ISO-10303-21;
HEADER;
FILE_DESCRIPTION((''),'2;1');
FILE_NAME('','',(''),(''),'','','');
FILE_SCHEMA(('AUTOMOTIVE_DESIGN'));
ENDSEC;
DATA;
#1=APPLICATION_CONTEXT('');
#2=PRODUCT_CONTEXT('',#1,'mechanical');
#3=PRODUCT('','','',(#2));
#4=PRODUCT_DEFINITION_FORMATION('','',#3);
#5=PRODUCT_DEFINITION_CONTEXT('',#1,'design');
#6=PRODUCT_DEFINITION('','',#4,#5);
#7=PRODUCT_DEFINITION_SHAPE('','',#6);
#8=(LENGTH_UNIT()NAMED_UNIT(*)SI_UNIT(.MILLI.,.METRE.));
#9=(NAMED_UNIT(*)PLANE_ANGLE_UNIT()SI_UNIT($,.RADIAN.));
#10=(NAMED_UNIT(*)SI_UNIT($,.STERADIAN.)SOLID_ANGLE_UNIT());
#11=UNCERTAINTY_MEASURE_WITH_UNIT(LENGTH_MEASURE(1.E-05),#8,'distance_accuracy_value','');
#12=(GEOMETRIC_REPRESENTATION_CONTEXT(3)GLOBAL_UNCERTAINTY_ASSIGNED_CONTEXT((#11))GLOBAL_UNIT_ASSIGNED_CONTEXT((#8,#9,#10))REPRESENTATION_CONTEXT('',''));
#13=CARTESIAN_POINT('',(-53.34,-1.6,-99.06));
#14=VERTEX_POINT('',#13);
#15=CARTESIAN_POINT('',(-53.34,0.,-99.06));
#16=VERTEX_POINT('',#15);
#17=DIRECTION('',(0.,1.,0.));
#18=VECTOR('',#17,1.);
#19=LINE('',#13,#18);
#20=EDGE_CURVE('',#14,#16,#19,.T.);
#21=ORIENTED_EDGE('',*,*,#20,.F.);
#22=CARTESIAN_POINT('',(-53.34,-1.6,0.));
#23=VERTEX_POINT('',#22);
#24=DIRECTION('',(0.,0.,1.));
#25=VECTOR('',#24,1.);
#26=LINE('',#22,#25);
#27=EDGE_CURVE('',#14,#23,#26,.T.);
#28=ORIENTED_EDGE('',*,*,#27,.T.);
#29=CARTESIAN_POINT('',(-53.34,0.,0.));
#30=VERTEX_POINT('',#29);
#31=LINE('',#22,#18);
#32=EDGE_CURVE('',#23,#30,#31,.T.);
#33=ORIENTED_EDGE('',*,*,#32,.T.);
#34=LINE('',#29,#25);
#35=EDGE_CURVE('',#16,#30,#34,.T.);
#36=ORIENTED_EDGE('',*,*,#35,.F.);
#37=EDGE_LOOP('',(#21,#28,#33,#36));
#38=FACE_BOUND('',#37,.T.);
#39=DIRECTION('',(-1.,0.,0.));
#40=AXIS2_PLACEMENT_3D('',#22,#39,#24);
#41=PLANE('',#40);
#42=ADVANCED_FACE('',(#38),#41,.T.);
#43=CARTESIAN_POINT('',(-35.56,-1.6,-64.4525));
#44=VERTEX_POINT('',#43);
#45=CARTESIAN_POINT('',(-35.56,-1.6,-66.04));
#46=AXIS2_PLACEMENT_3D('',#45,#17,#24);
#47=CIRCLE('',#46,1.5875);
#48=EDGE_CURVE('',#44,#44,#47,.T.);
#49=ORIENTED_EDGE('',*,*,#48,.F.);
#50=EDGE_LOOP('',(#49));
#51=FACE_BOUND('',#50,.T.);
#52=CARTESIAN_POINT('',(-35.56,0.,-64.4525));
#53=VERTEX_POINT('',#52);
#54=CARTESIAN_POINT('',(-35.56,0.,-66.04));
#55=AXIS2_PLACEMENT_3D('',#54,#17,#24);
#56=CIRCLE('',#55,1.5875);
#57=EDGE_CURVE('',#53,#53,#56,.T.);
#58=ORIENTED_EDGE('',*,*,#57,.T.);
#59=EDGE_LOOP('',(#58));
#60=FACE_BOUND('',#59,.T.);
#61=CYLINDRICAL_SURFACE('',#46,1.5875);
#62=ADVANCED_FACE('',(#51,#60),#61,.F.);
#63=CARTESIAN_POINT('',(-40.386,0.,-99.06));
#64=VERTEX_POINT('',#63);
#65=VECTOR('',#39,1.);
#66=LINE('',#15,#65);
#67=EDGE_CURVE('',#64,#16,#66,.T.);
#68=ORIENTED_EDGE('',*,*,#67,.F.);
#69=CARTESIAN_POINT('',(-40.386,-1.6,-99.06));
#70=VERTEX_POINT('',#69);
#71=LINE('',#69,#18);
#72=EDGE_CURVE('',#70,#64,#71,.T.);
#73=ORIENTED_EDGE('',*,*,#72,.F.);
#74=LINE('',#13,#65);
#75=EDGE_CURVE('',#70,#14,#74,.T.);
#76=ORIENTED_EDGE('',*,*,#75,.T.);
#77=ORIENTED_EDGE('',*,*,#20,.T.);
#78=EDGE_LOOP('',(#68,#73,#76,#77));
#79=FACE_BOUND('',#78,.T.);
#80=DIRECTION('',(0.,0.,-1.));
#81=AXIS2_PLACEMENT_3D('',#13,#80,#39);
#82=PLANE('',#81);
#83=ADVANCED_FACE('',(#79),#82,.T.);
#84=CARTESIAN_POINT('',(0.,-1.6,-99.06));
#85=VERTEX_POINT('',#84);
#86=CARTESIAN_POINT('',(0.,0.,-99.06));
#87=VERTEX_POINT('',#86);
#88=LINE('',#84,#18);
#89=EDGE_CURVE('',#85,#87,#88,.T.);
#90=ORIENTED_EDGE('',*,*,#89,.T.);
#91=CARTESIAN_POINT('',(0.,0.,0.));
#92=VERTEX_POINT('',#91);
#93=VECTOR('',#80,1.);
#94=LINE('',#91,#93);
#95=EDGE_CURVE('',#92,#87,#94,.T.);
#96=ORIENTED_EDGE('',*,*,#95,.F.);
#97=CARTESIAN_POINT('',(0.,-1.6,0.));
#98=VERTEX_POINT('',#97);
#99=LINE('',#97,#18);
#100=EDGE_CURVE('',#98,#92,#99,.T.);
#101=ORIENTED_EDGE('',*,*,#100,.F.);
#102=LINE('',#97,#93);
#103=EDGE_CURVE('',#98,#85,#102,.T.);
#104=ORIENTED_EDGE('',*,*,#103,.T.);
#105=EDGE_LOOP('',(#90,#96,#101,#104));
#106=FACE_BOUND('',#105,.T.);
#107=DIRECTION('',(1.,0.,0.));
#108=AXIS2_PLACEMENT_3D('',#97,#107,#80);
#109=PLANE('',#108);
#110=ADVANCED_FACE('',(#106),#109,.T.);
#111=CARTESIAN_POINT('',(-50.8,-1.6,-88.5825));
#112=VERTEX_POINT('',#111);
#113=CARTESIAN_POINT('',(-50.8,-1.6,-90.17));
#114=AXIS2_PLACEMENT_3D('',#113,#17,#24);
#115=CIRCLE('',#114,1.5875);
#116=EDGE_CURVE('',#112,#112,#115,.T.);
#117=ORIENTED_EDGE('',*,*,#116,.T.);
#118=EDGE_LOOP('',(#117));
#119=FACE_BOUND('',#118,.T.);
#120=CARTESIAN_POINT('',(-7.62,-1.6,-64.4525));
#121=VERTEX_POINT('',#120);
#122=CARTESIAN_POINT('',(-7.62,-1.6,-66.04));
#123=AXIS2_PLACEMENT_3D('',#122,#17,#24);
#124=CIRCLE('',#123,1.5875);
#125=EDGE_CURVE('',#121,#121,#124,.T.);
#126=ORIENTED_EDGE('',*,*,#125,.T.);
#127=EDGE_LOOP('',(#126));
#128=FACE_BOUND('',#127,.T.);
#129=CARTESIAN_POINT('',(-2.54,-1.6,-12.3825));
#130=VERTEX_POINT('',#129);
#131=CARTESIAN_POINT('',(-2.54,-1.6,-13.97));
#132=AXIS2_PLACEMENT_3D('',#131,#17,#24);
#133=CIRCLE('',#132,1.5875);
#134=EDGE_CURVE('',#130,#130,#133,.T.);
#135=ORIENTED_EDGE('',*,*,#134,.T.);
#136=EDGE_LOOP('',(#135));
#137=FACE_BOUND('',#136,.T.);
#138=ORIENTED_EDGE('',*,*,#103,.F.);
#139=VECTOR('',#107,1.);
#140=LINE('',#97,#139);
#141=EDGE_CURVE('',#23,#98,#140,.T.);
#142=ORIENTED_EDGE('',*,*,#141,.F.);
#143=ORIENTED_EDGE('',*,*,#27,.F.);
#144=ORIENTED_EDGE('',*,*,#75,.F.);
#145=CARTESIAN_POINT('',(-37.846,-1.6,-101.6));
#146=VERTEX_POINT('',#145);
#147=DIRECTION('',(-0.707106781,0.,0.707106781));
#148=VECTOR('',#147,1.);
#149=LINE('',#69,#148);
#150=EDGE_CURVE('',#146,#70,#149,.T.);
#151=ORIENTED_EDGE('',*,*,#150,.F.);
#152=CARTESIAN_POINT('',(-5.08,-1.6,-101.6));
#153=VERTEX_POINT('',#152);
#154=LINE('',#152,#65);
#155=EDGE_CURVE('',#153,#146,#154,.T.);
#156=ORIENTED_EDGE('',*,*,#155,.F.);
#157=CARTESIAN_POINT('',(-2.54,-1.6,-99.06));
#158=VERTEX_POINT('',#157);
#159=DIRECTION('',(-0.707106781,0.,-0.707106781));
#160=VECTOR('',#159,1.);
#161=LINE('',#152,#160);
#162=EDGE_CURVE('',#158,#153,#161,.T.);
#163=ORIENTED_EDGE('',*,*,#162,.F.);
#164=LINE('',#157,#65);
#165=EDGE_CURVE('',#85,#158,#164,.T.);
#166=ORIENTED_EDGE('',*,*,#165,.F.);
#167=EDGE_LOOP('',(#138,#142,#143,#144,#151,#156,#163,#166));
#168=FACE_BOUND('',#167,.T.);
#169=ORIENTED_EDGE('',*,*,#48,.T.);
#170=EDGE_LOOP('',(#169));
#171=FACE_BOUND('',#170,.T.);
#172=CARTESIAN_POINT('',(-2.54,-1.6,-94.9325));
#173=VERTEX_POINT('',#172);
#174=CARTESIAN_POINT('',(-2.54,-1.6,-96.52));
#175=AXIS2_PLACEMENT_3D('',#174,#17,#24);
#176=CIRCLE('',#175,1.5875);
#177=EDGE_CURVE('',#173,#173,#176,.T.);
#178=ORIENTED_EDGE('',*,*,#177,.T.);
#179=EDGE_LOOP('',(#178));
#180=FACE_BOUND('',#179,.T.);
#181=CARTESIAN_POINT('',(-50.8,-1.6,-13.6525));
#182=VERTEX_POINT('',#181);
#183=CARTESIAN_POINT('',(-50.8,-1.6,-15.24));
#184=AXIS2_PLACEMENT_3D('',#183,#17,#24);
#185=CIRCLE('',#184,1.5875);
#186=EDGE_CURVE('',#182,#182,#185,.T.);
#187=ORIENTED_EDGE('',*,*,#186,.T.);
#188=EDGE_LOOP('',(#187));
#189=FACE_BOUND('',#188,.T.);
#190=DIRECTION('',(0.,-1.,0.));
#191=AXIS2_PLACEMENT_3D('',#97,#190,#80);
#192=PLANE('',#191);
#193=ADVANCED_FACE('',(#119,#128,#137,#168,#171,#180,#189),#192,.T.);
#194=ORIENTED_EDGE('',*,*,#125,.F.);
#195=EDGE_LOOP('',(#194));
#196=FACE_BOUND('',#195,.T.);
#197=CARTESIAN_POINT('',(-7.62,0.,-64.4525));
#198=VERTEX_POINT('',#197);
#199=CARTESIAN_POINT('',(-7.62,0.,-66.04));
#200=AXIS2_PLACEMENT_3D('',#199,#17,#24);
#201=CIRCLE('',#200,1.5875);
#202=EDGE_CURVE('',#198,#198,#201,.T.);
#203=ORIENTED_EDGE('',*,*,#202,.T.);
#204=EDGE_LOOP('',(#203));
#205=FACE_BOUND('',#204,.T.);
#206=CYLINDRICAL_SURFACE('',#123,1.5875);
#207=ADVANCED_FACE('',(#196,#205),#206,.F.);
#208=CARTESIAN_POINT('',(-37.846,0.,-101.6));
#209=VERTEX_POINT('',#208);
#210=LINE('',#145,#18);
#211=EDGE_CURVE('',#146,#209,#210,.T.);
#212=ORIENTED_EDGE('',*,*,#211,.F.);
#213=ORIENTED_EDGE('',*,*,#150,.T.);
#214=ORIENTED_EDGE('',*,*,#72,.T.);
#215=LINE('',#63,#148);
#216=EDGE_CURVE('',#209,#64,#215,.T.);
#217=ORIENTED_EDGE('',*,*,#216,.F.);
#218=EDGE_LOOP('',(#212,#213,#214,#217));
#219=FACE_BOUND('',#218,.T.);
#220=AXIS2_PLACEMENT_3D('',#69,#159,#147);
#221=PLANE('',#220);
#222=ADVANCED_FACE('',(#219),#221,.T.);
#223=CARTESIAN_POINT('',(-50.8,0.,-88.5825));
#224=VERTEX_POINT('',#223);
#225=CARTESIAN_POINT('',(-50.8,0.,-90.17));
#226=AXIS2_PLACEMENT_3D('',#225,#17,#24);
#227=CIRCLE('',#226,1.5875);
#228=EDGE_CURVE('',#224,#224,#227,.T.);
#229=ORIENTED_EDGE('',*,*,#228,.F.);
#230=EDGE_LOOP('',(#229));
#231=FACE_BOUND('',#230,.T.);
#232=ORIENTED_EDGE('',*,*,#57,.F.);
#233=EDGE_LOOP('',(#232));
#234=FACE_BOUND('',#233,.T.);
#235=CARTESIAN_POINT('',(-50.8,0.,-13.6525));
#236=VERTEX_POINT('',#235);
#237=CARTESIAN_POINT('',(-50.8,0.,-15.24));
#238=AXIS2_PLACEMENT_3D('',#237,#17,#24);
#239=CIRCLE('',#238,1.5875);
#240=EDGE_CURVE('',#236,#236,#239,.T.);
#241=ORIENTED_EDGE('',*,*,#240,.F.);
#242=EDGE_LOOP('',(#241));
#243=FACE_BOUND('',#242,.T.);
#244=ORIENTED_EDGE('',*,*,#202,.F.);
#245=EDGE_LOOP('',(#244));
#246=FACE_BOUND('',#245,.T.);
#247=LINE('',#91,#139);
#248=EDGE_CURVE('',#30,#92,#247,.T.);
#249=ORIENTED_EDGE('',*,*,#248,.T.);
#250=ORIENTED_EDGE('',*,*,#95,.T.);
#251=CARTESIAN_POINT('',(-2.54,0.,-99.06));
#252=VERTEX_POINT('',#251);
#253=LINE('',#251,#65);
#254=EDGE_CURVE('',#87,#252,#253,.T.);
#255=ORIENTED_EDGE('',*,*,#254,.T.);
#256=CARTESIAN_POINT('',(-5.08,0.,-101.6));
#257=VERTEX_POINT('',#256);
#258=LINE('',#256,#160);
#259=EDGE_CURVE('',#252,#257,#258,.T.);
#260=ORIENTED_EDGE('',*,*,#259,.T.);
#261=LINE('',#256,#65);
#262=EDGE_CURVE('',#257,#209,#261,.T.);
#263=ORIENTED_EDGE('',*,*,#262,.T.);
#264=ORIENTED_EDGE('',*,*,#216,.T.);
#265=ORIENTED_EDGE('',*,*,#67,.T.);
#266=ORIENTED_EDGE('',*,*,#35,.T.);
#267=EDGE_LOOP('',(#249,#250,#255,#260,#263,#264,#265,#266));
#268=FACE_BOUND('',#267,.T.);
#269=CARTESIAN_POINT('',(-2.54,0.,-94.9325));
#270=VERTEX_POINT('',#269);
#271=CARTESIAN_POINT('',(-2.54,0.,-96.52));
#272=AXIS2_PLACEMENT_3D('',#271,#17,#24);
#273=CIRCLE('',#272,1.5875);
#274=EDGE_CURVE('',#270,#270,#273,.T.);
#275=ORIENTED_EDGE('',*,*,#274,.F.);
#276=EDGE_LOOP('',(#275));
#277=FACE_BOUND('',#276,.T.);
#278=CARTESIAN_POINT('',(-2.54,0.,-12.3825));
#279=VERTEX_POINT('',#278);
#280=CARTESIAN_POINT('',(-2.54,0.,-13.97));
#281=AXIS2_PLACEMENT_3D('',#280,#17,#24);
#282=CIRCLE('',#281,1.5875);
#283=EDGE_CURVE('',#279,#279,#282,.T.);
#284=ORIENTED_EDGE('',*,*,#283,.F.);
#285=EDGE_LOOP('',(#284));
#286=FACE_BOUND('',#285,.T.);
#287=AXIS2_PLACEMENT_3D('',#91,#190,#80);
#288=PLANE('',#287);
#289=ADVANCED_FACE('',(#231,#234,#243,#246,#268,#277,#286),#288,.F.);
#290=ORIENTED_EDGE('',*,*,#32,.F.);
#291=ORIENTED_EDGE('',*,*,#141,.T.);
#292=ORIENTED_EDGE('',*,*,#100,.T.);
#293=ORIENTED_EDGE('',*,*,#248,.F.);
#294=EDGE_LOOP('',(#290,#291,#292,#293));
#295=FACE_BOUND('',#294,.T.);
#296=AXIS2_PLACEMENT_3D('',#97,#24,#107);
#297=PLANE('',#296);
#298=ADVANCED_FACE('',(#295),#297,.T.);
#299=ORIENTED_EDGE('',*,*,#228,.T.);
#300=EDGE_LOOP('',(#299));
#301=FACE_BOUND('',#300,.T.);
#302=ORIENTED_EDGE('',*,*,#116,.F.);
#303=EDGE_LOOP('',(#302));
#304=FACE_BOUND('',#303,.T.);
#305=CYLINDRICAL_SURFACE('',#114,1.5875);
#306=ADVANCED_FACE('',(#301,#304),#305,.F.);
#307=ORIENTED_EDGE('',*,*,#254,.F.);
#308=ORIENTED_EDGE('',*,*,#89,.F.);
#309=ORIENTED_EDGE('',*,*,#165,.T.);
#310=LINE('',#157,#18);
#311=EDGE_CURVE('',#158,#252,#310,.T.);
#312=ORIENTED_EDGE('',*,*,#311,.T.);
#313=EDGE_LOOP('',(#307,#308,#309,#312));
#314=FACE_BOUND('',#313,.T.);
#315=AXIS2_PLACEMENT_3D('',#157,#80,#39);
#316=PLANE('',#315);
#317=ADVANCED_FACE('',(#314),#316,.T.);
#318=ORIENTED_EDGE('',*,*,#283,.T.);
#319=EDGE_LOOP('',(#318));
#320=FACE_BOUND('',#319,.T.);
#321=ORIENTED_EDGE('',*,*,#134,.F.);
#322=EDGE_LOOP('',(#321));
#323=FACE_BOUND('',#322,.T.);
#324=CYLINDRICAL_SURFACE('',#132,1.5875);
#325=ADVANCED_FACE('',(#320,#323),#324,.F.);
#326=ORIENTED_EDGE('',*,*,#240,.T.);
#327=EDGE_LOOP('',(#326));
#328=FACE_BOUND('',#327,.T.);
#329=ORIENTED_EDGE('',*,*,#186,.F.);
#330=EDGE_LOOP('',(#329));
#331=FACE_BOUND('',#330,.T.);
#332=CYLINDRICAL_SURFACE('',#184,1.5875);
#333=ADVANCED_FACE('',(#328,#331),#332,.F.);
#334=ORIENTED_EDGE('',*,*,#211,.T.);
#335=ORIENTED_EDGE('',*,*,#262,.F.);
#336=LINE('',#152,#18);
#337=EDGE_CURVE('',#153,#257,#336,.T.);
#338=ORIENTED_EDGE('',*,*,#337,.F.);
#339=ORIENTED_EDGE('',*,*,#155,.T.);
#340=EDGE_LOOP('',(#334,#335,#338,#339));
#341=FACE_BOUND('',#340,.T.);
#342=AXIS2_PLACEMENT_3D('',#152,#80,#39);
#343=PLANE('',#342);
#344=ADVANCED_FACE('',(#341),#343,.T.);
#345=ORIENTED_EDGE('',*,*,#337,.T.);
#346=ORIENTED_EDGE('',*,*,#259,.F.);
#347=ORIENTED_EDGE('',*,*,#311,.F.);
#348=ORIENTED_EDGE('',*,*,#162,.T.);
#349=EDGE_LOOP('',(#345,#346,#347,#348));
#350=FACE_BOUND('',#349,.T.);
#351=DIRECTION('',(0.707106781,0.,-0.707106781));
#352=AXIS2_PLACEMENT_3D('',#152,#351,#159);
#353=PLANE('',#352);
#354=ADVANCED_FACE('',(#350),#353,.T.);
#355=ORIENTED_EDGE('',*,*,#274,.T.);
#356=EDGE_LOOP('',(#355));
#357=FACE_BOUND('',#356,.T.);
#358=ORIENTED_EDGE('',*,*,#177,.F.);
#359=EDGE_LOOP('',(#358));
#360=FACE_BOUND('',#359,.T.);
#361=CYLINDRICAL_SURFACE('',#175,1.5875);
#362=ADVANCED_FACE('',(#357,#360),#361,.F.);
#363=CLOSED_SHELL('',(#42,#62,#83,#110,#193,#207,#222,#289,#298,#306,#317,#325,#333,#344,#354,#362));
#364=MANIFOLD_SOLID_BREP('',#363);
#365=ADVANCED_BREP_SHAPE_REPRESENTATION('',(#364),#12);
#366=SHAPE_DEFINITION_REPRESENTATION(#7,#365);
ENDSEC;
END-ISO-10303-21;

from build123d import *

# Parameters (mm, degrees)
SKETCH1_R           = 1.5875
BOSS_EXTRUDE1_DEPTH = 1.6


with BuildPart() as part:
    # Sketch1 → Boss-Extrude1 (new body)
    with BuildSketch(Plane(origin=(0, 0, 0), x_dir=(1, 0, 0), z_dir=(0, 1, 0))):
        Polygon((0, 0), (-53.34, 0), (-53.34, 99.06), (-40.386, 99.06), (-37.846, 101.6), (-5.08, 101.6), (-2.54, 99.06), (0, 99.06), align=None)
        with Locations(Location((-7.62, 66.04, 0), (0, 0, 270))):
            Circle(SKETCH1_R, mode=Mode.SUBTRACT)
        with Locations(Location((-35.56, 66.04, 0), (0, 0, 270))):
            Circle(SKETCH1_R, mode=Mode.SUBTRACT)
        with Locations(Location((-2.54, 13.97, 0), (0, 0, 270))):
            Circle(SKETCH1_R, mode=Mode.SUBTRACT)
        with Locations(Location((-50.8, 15.24, 0), (0, 0, 270))):
            Circle(SKETCH1_R, mode=Mode.SUBTRACT)
        with Locations(Location((-2.54, 96.52, 0), (0, 0, 270))):
            Circle(SKETCH1_R, mode=Mode.SUBTRACT)
        with Locations(Location((-50.8, 90.17, 0), (0, 0, 270))):
            Circle(SKETCH1_R, mode=Mode.SUBTRACT)
    extrude(amount=-BOSS_EXTRUDE1_DEPTH)


solid = part.part
